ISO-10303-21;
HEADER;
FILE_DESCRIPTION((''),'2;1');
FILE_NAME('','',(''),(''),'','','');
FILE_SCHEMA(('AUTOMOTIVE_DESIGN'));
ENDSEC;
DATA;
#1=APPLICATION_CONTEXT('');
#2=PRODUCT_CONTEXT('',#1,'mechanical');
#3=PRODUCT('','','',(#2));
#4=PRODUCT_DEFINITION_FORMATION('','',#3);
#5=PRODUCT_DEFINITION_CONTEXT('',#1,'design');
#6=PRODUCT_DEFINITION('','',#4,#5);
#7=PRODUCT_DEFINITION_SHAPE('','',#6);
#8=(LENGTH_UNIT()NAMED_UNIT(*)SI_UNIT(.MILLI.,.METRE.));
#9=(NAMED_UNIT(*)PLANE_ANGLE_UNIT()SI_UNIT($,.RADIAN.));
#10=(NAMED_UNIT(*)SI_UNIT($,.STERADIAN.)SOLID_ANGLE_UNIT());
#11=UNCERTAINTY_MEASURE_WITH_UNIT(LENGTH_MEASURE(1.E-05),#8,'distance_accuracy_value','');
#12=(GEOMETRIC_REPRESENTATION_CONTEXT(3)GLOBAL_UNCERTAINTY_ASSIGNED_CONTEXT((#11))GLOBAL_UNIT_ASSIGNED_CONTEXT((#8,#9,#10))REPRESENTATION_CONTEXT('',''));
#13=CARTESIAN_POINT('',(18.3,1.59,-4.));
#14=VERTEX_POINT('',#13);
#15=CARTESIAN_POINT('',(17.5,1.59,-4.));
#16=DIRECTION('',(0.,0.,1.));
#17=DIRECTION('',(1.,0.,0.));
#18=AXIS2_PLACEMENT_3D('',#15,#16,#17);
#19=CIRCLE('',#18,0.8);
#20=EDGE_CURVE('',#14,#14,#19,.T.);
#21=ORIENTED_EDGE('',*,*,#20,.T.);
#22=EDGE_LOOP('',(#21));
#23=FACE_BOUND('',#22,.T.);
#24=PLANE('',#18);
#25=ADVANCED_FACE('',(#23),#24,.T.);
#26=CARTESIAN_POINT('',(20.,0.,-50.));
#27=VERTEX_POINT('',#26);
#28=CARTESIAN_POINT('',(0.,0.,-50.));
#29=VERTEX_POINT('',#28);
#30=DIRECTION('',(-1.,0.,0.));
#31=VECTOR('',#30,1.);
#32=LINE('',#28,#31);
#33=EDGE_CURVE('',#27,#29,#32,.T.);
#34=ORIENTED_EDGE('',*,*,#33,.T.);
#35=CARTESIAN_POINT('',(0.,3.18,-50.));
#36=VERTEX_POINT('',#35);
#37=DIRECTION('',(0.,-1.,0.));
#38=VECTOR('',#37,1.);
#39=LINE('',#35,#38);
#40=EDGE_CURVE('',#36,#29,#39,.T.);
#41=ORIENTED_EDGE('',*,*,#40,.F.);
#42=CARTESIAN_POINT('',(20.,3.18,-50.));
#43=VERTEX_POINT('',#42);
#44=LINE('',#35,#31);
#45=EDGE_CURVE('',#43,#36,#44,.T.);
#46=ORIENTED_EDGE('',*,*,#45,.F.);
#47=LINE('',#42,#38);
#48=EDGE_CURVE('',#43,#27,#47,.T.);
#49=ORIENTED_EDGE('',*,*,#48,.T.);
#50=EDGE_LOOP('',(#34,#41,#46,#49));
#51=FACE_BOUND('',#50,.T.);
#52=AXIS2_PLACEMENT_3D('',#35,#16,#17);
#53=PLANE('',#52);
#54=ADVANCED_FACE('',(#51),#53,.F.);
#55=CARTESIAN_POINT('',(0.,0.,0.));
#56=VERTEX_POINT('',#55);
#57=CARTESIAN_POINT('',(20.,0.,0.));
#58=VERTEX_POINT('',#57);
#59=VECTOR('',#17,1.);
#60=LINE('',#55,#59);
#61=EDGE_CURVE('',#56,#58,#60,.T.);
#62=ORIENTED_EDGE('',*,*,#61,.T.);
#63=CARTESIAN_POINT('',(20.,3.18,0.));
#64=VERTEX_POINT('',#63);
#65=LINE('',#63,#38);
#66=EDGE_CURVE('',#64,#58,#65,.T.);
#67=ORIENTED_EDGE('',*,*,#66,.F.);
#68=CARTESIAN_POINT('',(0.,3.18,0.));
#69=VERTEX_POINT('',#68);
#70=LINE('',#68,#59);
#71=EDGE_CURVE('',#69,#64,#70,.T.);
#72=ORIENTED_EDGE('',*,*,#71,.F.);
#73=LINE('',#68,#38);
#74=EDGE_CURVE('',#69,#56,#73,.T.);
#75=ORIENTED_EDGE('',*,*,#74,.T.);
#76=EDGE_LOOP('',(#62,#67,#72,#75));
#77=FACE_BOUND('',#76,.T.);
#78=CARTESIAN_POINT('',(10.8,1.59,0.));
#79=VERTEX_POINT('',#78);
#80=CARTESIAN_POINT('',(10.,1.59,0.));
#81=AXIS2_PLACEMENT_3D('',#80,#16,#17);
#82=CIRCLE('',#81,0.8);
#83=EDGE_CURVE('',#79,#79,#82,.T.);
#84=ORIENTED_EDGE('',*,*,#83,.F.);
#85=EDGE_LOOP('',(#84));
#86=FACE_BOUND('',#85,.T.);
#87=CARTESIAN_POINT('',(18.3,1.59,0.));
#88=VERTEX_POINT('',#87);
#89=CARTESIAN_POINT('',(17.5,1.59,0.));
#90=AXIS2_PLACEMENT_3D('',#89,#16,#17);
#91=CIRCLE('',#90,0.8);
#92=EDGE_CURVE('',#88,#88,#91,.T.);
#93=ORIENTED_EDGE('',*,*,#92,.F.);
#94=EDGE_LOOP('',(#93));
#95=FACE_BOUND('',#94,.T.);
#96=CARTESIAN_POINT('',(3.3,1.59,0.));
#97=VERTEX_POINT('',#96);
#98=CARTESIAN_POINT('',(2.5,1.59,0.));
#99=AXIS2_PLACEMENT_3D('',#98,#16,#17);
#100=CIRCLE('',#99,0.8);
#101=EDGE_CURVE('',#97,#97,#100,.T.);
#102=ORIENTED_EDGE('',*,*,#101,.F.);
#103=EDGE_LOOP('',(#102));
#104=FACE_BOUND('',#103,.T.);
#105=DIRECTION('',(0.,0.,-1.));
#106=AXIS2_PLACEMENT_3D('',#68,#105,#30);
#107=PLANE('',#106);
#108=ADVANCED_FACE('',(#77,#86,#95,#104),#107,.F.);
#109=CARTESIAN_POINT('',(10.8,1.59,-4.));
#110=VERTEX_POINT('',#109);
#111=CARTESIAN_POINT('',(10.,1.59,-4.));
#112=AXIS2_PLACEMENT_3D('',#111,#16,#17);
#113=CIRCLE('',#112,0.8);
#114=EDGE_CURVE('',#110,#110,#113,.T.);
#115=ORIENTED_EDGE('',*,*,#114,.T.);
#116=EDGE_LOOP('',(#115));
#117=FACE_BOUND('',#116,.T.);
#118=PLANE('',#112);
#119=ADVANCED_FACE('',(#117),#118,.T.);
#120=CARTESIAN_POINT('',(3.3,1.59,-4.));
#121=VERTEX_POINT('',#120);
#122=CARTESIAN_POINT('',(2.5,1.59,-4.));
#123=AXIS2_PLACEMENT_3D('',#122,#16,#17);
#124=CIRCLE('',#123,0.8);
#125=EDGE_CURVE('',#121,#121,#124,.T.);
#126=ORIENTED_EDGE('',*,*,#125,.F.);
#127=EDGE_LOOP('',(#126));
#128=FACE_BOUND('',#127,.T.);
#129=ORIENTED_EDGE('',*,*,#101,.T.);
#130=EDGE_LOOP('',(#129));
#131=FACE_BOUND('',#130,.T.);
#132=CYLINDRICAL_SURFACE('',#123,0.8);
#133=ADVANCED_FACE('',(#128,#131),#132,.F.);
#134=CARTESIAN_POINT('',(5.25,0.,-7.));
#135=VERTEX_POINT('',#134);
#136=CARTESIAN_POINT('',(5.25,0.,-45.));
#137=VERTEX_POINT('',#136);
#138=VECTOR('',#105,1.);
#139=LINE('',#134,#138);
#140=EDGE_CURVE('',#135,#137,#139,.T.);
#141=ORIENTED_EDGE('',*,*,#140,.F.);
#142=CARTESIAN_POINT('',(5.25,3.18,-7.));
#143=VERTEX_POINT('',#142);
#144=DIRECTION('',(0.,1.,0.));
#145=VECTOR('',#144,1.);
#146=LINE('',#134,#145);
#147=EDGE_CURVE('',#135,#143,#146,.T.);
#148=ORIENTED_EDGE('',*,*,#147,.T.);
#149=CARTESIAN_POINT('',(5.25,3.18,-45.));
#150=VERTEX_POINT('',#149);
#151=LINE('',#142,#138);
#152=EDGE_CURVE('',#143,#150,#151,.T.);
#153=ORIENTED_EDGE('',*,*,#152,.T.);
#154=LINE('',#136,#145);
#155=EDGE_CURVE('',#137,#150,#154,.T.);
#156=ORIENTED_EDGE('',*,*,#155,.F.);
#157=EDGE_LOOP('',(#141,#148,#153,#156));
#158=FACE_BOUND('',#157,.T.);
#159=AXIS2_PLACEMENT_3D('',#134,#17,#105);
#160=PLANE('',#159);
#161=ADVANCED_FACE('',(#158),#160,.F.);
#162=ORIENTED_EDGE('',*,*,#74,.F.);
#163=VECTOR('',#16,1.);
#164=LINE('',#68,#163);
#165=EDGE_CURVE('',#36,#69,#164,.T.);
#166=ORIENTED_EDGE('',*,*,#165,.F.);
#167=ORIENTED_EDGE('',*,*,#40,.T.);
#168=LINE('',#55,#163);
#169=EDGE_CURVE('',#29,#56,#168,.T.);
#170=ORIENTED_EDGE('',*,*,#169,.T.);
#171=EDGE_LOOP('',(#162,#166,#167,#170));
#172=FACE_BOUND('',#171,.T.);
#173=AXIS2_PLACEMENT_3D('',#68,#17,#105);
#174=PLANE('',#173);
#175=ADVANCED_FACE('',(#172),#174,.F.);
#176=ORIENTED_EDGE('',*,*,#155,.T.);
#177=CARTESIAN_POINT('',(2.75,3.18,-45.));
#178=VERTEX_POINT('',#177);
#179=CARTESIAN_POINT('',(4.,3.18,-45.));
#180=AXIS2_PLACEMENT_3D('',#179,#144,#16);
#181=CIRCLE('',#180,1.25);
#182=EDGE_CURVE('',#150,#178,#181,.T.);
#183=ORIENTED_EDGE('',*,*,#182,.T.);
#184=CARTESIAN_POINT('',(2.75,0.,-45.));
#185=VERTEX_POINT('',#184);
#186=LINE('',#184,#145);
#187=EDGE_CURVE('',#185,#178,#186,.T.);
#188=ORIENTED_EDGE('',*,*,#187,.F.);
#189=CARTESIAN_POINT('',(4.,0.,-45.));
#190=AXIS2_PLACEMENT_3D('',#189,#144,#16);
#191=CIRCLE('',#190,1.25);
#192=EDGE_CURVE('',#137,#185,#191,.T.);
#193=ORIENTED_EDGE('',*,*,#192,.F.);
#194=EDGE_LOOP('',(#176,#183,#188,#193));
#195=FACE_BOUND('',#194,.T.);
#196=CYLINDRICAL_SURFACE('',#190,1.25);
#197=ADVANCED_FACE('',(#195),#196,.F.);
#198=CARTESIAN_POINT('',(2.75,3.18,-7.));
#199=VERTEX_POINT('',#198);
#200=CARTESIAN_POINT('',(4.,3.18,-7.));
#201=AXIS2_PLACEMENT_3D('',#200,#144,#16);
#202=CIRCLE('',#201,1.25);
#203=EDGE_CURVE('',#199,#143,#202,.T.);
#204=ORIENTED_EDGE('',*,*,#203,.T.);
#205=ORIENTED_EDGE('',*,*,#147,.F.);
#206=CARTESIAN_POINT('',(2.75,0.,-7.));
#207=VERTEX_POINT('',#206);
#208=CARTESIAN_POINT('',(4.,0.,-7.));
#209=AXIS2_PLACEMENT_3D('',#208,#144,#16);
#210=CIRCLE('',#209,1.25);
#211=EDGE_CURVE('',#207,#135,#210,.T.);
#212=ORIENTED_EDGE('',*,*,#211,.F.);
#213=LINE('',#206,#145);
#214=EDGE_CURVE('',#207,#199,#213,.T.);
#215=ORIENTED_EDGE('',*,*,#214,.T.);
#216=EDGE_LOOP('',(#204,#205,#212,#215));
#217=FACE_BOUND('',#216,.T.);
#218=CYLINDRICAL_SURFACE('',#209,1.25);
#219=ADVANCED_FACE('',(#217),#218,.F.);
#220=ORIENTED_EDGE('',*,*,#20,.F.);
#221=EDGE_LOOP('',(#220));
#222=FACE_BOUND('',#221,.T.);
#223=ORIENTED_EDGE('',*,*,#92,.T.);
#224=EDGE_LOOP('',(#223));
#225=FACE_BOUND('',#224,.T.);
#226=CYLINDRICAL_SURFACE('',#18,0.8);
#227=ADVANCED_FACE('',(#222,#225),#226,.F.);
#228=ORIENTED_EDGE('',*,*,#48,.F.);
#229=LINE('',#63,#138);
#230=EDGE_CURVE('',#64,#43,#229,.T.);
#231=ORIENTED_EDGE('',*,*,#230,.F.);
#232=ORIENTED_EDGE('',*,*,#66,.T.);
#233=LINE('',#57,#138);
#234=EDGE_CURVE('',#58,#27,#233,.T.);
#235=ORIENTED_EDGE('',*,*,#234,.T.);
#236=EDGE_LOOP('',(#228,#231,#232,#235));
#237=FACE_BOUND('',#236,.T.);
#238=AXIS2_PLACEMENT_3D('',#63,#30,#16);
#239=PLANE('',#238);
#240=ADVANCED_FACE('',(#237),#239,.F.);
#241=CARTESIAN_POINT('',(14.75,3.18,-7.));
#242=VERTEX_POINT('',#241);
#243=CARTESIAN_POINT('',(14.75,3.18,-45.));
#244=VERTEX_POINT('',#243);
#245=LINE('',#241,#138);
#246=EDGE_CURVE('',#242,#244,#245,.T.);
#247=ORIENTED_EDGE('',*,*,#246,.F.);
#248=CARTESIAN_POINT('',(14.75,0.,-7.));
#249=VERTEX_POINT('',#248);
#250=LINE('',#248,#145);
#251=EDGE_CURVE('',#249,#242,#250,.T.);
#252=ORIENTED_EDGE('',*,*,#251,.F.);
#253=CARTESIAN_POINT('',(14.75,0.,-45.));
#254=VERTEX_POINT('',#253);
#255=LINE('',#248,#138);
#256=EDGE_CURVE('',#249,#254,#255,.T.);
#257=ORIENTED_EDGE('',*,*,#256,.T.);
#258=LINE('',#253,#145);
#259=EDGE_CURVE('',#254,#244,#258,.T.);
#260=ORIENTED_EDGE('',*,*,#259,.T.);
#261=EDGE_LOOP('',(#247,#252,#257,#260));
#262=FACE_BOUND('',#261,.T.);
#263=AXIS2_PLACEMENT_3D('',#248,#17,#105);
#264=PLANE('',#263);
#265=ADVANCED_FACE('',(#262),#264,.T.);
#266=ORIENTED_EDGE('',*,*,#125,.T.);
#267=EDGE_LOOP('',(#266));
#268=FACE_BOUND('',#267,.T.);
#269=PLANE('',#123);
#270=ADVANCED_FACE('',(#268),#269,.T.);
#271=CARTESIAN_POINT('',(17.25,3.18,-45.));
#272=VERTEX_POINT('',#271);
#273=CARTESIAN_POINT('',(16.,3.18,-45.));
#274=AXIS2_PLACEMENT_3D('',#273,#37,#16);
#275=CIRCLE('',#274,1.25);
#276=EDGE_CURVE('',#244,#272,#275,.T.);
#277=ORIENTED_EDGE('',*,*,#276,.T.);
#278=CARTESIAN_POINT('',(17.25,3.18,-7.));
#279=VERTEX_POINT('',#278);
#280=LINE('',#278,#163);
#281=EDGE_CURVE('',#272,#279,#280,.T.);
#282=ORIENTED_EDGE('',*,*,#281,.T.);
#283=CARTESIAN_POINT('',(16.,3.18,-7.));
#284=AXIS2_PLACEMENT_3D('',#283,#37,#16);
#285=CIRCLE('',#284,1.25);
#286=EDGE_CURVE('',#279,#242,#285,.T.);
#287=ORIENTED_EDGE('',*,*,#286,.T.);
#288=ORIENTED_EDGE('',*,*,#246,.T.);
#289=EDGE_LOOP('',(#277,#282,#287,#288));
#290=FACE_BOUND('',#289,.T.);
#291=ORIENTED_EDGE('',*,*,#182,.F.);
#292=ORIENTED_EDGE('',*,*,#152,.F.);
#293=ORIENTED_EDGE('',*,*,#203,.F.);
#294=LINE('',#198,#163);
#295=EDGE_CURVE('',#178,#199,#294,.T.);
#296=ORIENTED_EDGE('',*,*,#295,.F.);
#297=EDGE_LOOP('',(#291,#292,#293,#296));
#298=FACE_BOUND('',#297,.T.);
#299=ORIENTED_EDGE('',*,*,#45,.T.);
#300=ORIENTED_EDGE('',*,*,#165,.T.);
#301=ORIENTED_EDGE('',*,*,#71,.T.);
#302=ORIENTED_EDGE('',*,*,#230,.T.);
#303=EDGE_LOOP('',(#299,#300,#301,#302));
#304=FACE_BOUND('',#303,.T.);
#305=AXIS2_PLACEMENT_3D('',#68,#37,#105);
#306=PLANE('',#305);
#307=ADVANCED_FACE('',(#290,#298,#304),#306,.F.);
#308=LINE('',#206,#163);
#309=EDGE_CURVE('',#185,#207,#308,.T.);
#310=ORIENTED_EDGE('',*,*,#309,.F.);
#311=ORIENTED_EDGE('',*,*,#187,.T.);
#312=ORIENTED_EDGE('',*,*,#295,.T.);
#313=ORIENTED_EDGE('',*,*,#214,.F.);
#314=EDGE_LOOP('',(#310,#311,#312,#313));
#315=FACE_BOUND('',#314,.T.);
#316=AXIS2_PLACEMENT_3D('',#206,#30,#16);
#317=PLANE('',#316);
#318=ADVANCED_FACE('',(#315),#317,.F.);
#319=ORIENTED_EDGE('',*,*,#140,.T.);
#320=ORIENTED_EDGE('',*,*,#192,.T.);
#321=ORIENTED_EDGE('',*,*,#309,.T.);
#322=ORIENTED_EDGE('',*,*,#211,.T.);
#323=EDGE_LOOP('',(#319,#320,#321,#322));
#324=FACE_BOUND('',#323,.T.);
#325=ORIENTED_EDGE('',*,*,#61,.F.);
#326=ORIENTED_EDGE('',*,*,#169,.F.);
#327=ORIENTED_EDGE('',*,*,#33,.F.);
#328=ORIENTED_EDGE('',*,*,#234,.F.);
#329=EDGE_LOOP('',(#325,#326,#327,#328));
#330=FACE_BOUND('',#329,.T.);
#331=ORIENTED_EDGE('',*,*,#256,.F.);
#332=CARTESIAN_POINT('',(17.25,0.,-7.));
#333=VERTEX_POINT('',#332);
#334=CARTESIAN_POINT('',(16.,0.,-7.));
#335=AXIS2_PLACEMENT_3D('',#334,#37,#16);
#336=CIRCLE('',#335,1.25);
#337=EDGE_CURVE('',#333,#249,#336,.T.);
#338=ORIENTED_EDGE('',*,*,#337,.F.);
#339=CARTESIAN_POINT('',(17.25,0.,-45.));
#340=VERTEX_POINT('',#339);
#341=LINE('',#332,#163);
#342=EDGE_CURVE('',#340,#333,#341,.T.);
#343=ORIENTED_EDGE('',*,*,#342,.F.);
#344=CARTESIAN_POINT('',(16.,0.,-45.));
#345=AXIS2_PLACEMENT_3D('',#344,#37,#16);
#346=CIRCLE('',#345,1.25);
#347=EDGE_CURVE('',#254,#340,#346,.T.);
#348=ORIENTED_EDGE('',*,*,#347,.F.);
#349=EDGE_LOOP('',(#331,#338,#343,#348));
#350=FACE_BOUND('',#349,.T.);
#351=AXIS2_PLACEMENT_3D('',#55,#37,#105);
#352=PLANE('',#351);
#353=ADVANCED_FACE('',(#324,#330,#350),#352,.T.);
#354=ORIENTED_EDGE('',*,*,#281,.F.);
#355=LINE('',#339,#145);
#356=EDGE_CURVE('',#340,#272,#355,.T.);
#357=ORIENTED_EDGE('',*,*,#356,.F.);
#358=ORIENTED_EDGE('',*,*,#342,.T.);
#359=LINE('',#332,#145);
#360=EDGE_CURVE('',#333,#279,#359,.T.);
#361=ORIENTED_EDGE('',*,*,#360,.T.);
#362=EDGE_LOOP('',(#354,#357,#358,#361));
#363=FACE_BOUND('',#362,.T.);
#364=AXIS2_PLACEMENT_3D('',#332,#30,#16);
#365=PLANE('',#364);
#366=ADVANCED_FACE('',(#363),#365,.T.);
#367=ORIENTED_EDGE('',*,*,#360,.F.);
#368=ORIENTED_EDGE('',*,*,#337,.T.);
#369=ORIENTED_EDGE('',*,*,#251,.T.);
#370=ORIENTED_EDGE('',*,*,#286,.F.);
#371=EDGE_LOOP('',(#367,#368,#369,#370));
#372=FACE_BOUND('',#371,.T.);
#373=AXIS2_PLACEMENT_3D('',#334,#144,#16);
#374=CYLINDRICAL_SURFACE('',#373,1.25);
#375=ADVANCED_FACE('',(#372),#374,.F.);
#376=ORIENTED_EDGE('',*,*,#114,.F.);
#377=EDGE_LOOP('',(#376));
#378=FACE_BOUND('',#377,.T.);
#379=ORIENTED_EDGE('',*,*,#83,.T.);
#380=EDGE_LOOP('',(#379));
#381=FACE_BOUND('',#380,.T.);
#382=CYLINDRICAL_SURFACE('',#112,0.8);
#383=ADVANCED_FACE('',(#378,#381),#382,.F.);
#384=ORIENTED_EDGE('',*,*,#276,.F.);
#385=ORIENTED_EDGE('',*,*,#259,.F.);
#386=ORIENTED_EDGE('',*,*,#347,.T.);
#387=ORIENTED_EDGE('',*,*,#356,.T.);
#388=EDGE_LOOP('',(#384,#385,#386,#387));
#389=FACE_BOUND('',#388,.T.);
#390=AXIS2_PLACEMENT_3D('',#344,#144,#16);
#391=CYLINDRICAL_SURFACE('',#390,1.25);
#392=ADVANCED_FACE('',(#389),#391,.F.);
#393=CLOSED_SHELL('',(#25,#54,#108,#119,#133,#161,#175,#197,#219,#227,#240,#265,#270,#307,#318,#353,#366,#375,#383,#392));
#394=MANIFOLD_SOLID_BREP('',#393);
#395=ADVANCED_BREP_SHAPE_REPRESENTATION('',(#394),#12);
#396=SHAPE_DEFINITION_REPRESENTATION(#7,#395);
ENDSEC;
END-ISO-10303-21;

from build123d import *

# Parameters (mm, degrees)
SKETCH1_W           = 20
SKETCH1_H           = 50
BOSS_EXTRUDE1_DEPTH = 3.18
CUT_EXTRUDE1_DEPTH  = 54.94545764
SKETCH3_R           = 0.8
CUT_EXTRUDE2_DEPTH  = 4


with BuildPart() as part:
    # Sketch1 → Boss-Extrude1 (new body)
    with BuildSketch(Plane(origin=(0, 0, 0), x_dir=(1, 0, 0), z_dir=(0, 1, 0))):
        with Locations((10, 25)):
            Rectangle(SKETCH1_W, SKETCH1_H)
    extrude(amount=BOSS_EXTRUDE1_DEPTH)

    # Sketch2 → Cut-Extrude1 (cut, through all)
    with BuildSketch(Plane(origin=(0, 3.18, 0), x_dir=(1, 0, 0), z_dir=(0, 1, 0))):
        with BuildLine():
            Line((2.75, 7), (2.75, 45))
            ThreePointArc((2.75, 45), (4, 46.25), (5.25, 45))
            Line((5.25, 45), (5.25, 7))
            ThreePointArc((5.25, 7), (4, 5.75), (2.75, 7))
        make_face()
    cut_extrude1 = extrude(amount=-CUT_EXTRUDE1_DEPTH, mode=Mode.SUBTRACT)

    # Mirror1: Cut-Extrude1 across plane
    add(cut_extrude1.mirror(Plane(origin=(10, 0, 0), x_dir=(0, 0, 1), z_dir=(1, 0, 0))), mode=Mode.SUBTRACT)

    # Sketch3 → Cut-Extrude2 (cut)
    with BuildSketch(Plane.XY):
        with Locations((10, 1.59)):
            Circle(SKETCH3_R)
        with Locations((2.5, 1.59)):
            Circle(SKETCH3_R)
        with Locations((17.5, 1.59)):
            Circle(SKETCH3_R)
    extrude(amount=-CUT_EXTRUDE2_DEPTH, mode=Mode.SUBTRACT)


solid = part.part
